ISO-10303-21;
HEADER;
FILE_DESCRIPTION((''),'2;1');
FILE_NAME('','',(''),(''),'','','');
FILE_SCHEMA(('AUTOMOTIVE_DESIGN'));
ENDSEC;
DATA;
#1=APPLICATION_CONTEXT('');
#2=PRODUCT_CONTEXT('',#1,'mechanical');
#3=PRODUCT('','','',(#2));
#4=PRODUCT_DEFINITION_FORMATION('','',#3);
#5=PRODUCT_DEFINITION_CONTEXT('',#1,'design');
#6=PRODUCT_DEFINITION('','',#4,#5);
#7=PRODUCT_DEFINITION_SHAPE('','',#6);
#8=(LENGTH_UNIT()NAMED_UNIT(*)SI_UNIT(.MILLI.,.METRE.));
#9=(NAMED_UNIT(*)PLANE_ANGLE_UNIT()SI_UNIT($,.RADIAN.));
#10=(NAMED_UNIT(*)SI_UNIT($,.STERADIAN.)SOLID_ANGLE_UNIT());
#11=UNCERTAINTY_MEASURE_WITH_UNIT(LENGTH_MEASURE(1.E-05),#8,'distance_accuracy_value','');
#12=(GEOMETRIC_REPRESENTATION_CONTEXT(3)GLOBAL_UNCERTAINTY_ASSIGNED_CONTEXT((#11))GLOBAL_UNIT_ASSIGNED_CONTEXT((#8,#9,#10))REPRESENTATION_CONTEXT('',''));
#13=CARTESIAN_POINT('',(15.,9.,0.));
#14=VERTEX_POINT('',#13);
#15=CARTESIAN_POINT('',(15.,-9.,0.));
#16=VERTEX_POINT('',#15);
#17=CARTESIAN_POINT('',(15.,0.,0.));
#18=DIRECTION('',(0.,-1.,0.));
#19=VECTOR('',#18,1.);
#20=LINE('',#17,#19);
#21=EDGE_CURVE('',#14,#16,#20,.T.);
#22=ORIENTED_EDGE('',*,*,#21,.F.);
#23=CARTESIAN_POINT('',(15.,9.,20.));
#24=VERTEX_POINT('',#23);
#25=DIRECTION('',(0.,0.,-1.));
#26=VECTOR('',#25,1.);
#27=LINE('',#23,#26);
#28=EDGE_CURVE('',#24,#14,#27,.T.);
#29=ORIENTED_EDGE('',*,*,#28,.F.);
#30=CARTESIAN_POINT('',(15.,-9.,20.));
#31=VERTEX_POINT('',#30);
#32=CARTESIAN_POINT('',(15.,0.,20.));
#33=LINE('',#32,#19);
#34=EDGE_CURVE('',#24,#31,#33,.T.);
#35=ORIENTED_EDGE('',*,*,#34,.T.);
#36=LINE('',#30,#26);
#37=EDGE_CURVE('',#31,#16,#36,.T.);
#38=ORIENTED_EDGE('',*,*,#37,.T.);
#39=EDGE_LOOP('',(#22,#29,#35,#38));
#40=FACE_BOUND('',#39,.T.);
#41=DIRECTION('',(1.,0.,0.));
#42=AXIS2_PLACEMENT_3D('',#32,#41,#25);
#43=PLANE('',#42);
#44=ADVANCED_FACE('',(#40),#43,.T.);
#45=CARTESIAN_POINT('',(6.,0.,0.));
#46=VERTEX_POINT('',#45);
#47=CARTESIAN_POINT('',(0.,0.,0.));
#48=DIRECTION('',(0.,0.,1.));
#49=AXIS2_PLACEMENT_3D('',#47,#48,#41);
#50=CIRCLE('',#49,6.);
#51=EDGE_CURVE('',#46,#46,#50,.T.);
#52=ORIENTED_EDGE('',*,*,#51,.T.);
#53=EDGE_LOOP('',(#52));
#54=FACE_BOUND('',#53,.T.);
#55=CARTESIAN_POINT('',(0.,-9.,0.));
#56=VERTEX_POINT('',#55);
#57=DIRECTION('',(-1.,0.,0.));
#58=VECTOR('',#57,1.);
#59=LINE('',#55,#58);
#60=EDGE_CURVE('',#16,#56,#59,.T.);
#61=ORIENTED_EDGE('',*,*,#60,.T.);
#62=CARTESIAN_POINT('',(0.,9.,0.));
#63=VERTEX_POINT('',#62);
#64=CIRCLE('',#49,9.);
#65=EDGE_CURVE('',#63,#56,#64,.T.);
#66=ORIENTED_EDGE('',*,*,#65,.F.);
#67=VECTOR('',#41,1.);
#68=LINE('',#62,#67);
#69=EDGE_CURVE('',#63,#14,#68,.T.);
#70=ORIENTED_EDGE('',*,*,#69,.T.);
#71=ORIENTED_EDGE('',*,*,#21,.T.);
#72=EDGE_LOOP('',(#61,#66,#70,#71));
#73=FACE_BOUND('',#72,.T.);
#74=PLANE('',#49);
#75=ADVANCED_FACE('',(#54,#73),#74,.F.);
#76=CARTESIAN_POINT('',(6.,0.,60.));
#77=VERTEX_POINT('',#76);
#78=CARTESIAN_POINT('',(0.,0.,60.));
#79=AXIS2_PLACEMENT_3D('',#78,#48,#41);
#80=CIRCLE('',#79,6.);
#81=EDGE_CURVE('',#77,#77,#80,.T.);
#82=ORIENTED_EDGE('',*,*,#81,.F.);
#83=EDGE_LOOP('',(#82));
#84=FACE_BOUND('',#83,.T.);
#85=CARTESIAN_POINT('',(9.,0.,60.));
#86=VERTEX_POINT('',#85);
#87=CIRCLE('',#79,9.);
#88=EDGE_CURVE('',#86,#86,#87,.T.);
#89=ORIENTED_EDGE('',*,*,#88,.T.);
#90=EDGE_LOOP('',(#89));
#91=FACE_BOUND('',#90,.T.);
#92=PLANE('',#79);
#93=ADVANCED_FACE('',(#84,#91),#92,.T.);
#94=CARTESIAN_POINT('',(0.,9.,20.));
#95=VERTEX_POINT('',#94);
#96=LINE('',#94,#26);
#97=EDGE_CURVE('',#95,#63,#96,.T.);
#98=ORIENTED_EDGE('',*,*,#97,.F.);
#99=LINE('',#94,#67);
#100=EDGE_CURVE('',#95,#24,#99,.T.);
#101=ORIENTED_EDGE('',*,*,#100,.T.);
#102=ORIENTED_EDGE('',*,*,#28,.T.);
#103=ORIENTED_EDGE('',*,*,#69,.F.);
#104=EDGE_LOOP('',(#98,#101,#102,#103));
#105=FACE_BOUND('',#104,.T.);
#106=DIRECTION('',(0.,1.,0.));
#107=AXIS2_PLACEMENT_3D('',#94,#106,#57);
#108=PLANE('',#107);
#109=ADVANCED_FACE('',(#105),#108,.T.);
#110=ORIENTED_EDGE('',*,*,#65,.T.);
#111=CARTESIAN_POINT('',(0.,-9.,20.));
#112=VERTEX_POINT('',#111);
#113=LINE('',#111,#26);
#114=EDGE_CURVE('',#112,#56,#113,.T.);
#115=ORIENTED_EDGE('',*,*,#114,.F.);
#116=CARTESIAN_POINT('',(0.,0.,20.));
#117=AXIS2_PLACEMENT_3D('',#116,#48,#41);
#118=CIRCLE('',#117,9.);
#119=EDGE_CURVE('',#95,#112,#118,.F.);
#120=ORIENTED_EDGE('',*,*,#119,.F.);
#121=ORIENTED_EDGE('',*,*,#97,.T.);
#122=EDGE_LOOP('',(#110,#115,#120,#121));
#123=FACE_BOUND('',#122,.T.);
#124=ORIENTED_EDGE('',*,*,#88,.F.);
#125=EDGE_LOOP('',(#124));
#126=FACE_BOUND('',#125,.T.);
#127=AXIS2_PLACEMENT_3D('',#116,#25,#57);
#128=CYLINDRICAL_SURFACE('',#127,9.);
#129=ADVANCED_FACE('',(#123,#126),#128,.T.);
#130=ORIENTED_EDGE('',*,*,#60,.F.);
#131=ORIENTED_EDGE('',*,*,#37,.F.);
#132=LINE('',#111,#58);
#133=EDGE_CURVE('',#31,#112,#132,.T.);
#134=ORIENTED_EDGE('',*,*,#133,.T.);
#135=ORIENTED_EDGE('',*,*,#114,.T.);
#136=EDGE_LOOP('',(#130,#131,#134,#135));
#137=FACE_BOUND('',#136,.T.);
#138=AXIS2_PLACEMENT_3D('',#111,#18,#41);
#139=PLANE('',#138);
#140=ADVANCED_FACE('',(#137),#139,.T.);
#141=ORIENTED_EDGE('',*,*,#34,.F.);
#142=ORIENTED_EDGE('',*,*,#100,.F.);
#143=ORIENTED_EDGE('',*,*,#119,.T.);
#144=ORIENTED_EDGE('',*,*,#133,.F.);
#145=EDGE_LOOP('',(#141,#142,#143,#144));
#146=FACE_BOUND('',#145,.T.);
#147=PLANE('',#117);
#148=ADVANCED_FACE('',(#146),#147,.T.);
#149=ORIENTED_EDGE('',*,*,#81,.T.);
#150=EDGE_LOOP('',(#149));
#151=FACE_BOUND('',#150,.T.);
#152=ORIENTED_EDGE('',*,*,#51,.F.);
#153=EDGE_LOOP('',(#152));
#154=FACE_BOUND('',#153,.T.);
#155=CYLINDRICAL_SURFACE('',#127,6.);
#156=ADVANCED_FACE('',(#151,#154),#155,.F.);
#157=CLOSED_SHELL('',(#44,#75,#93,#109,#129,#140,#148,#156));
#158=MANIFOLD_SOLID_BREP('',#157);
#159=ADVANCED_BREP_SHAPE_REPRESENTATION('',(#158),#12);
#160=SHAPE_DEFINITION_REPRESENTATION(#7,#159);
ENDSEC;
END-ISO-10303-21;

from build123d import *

# Parameters (mm, degrees)
ESQUISSE1_R        = 6
BOSS_EXTRU_1_DEPTH = 20
ESQUISSE1_3_R      = 6
BOSS_EXTRU_2_DEPTH = 60


with BuildPart() as part:
    # Esquisse1 → Boss.-Extru.1 (new body)
    with BuildSketch(Plane.XY):
        with BuildLine():
            Line((15, 9), (0, 9))
            ThreePointArc((0, 9), (-9, 0), (0, -9))
            Line((0, -9), (15, -9))
            Line((15, -9), (15, 9))
        make_face()
        Circle(ESQUISSE1_R, mode=Mode.SUBTRACT)
    extrude(amount=BOSS_EXTRU_1_DEPTH)

    # Esquisse1<3> → Boss.-Extru.2 (add)
    with BuildSketch(Plane.XY):
        with BuildLine():
            ThreePointArc((9, 0), (6.363961031, 6.363961031), (0, 9))
            ThreePointArc((0, 9), (-9, 0), (0, -9))
            ThreePointArc((0, -9), (6.363961031, -6.363961031), (9, 0))
        make_face()
        Circle(ESQUISSE1_3_R, mode=Mode.SUBTRACT)
    extrude(amount=BOSS_EXTRU_2_DEPTH)


solid = part.part
